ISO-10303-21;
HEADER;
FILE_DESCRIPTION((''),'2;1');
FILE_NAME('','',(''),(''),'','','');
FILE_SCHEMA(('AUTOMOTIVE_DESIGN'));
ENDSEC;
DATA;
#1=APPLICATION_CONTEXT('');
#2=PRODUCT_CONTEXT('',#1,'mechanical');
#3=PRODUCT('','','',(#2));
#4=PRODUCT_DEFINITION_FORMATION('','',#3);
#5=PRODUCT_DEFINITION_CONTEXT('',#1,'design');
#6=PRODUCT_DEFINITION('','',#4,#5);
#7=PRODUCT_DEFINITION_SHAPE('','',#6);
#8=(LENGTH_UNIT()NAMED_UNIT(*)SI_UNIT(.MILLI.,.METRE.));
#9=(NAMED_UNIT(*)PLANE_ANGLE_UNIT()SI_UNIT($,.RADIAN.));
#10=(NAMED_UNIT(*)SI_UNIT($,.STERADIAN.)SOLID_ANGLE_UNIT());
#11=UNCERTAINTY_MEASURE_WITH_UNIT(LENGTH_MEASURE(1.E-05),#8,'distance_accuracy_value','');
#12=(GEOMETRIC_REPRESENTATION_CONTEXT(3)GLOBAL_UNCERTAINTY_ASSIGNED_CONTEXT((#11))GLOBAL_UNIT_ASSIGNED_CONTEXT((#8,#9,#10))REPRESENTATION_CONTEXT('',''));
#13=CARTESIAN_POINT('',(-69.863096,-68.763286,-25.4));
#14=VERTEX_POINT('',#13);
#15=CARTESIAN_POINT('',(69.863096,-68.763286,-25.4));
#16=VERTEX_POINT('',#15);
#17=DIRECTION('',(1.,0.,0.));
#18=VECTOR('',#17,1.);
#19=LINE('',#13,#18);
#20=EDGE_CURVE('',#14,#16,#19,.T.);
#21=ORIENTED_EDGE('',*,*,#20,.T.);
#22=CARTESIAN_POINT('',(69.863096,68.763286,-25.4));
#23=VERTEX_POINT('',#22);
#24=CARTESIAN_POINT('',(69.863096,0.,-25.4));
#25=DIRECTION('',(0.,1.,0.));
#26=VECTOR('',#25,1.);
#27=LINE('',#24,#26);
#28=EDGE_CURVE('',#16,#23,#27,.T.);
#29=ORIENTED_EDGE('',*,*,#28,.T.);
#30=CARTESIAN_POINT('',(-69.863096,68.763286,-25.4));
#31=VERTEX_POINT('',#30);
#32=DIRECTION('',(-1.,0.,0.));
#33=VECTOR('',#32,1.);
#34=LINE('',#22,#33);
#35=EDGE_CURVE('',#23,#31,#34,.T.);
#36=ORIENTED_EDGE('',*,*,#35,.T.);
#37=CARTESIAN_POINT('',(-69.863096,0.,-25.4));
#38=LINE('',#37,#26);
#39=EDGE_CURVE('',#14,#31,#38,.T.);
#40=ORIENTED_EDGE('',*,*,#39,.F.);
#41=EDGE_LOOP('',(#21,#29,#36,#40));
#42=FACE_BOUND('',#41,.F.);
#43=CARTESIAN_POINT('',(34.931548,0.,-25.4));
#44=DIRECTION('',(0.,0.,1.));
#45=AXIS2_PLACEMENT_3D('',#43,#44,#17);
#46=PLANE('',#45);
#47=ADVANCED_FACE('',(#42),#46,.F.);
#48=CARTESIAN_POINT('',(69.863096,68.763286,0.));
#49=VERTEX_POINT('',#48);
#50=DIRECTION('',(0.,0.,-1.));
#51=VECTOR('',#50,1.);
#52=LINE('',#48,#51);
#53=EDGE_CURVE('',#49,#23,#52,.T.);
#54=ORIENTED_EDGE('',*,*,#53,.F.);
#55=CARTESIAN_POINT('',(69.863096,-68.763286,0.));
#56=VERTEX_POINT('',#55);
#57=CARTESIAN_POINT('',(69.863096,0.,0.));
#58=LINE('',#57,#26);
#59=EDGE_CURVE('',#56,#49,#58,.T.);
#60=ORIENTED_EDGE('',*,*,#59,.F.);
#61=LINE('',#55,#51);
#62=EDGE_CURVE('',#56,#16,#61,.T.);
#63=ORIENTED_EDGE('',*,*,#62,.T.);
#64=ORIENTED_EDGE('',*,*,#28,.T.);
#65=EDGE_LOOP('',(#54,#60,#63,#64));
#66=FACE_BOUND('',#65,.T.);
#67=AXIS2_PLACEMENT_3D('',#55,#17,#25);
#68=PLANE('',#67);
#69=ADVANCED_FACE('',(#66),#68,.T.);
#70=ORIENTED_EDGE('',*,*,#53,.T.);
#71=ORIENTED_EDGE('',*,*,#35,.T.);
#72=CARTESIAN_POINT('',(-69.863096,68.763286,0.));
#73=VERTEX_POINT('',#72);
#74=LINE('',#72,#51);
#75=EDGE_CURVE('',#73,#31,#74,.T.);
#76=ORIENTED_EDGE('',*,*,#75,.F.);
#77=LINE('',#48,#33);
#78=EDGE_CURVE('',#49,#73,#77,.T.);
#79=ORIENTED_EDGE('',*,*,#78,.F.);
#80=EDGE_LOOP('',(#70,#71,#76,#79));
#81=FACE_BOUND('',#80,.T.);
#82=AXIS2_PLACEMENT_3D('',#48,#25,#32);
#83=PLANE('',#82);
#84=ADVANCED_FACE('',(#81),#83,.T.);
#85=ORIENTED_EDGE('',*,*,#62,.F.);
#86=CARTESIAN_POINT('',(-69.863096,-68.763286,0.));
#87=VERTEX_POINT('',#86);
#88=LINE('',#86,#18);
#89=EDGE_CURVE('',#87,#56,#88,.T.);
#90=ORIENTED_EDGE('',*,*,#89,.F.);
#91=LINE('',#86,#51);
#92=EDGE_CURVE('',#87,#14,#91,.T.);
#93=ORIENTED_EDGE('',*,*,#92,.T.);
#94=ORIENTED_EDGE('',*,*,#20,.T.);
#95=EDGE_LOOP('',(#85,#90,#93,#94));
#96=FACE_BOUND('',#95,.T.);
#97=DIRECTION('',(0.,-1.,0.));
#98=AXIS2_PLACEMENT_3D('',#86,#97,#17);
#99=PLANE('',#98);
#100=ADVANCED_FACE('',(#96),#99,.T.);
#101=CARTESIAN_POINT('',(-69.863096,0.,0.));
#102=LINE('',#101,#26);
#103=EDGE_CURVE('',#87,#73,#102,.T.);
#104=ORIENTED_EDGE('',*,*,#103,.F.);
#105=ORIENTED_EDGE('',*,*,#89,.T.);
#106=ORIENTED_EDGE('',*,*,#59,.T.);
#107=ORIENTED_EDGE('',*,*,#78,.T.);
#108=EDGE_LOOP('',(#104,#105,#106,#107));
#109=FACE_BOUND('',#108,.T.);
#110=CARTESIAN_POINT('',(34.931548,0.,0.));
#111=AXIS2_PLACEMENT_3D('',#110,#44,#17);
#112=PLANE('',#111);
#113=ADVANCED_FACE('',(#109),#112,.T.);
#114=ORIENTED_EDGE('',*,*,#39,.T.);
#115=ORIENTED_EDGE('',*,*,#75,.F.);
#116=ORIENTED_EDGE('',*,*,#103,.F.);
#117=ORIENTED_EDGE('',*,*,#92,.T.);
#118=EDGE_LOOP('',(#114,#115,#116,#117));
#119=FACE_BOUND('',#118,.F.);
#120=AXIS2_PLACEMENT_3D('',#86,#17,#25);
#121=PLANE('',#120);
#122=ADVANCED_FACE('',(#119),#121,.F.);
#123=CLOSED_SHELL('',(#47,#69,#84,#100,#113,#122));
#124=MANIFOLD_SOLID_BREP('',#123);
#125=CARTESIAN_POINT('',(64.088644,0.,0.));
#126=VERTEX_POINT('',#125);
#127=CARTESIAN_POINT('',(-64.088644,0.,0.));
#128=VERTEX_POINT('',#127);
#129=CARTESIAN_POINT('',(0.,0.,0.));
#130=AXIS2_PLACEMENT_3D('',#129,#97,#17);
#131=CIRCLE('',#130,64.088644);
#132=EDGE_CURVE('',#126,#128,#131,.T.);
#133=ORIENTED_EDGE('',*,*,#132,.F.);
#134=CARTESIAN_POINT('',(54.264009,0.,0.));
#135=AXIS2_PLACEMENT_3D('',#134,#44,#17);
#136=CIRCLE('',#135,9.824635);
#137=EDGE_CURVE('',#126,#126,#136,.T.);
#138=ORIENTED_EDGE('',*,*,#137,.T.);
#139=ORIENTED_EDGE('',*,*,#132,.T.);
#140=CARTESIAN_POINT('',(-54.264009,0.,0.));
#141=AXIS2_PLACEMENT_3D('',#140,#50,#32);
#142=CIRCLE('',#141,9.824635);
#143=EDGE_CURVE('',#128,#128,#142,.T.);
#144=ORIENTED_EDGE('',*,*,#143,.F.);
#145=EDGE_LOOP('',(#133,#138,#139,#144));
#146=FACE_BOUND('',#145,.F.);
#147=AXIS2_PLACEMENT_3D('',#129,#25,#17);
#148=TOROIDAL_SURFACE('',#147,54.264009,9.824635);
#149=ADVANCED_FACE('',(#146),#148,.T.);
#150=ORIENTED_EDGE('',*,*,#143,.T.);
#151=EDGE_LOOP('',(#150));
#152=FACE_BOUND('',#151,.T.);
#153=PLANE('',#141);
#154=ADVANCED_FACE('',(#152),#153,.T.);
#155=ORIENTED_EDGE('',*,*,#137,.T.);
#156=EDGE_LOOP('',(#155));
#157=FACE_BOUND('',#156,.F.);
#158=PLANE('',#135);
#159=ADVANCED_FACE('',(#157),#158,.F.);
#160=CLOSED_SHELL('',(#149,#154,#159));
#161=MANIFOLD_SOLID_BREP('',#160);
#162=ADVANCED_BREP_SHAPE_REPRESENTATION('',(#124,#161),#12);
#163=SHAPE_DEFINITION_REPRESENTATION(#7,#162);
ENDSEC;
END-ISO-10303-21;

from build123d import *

# Parameters (mm, degrees)
F0_W     = 69.863096
F0_H     = 137.526572
F2_DEPTH = 25.4
F1_R     = 9.824635
F3_ANGLE = 180


with BuildPart() as f2:
    # F0 (on Top) → F2 (new body)
    with BuildSketch(Plane.XY):
        with Locations((34.931548, 0)):
            Rectangle(F0_W, F0_H)
        with Locations((-34.931548, 0)):
            Rectangle(F0_W, F0_H)
    extrude(amount=-F2_DEPTH)


with BuildPart() as f3:
    # F1 (on Top) → F3 (revolve)
    with BuildSketch(Plane.XY):
        with Locations((54.264009, 0)):
            Circle(F1_R)
    revolve(axis=Axis((0, 0, 0), (0, -1, 0)), revolution_arc=F3_ANGLE)


solid = Compound([f2.part, f3.part])
